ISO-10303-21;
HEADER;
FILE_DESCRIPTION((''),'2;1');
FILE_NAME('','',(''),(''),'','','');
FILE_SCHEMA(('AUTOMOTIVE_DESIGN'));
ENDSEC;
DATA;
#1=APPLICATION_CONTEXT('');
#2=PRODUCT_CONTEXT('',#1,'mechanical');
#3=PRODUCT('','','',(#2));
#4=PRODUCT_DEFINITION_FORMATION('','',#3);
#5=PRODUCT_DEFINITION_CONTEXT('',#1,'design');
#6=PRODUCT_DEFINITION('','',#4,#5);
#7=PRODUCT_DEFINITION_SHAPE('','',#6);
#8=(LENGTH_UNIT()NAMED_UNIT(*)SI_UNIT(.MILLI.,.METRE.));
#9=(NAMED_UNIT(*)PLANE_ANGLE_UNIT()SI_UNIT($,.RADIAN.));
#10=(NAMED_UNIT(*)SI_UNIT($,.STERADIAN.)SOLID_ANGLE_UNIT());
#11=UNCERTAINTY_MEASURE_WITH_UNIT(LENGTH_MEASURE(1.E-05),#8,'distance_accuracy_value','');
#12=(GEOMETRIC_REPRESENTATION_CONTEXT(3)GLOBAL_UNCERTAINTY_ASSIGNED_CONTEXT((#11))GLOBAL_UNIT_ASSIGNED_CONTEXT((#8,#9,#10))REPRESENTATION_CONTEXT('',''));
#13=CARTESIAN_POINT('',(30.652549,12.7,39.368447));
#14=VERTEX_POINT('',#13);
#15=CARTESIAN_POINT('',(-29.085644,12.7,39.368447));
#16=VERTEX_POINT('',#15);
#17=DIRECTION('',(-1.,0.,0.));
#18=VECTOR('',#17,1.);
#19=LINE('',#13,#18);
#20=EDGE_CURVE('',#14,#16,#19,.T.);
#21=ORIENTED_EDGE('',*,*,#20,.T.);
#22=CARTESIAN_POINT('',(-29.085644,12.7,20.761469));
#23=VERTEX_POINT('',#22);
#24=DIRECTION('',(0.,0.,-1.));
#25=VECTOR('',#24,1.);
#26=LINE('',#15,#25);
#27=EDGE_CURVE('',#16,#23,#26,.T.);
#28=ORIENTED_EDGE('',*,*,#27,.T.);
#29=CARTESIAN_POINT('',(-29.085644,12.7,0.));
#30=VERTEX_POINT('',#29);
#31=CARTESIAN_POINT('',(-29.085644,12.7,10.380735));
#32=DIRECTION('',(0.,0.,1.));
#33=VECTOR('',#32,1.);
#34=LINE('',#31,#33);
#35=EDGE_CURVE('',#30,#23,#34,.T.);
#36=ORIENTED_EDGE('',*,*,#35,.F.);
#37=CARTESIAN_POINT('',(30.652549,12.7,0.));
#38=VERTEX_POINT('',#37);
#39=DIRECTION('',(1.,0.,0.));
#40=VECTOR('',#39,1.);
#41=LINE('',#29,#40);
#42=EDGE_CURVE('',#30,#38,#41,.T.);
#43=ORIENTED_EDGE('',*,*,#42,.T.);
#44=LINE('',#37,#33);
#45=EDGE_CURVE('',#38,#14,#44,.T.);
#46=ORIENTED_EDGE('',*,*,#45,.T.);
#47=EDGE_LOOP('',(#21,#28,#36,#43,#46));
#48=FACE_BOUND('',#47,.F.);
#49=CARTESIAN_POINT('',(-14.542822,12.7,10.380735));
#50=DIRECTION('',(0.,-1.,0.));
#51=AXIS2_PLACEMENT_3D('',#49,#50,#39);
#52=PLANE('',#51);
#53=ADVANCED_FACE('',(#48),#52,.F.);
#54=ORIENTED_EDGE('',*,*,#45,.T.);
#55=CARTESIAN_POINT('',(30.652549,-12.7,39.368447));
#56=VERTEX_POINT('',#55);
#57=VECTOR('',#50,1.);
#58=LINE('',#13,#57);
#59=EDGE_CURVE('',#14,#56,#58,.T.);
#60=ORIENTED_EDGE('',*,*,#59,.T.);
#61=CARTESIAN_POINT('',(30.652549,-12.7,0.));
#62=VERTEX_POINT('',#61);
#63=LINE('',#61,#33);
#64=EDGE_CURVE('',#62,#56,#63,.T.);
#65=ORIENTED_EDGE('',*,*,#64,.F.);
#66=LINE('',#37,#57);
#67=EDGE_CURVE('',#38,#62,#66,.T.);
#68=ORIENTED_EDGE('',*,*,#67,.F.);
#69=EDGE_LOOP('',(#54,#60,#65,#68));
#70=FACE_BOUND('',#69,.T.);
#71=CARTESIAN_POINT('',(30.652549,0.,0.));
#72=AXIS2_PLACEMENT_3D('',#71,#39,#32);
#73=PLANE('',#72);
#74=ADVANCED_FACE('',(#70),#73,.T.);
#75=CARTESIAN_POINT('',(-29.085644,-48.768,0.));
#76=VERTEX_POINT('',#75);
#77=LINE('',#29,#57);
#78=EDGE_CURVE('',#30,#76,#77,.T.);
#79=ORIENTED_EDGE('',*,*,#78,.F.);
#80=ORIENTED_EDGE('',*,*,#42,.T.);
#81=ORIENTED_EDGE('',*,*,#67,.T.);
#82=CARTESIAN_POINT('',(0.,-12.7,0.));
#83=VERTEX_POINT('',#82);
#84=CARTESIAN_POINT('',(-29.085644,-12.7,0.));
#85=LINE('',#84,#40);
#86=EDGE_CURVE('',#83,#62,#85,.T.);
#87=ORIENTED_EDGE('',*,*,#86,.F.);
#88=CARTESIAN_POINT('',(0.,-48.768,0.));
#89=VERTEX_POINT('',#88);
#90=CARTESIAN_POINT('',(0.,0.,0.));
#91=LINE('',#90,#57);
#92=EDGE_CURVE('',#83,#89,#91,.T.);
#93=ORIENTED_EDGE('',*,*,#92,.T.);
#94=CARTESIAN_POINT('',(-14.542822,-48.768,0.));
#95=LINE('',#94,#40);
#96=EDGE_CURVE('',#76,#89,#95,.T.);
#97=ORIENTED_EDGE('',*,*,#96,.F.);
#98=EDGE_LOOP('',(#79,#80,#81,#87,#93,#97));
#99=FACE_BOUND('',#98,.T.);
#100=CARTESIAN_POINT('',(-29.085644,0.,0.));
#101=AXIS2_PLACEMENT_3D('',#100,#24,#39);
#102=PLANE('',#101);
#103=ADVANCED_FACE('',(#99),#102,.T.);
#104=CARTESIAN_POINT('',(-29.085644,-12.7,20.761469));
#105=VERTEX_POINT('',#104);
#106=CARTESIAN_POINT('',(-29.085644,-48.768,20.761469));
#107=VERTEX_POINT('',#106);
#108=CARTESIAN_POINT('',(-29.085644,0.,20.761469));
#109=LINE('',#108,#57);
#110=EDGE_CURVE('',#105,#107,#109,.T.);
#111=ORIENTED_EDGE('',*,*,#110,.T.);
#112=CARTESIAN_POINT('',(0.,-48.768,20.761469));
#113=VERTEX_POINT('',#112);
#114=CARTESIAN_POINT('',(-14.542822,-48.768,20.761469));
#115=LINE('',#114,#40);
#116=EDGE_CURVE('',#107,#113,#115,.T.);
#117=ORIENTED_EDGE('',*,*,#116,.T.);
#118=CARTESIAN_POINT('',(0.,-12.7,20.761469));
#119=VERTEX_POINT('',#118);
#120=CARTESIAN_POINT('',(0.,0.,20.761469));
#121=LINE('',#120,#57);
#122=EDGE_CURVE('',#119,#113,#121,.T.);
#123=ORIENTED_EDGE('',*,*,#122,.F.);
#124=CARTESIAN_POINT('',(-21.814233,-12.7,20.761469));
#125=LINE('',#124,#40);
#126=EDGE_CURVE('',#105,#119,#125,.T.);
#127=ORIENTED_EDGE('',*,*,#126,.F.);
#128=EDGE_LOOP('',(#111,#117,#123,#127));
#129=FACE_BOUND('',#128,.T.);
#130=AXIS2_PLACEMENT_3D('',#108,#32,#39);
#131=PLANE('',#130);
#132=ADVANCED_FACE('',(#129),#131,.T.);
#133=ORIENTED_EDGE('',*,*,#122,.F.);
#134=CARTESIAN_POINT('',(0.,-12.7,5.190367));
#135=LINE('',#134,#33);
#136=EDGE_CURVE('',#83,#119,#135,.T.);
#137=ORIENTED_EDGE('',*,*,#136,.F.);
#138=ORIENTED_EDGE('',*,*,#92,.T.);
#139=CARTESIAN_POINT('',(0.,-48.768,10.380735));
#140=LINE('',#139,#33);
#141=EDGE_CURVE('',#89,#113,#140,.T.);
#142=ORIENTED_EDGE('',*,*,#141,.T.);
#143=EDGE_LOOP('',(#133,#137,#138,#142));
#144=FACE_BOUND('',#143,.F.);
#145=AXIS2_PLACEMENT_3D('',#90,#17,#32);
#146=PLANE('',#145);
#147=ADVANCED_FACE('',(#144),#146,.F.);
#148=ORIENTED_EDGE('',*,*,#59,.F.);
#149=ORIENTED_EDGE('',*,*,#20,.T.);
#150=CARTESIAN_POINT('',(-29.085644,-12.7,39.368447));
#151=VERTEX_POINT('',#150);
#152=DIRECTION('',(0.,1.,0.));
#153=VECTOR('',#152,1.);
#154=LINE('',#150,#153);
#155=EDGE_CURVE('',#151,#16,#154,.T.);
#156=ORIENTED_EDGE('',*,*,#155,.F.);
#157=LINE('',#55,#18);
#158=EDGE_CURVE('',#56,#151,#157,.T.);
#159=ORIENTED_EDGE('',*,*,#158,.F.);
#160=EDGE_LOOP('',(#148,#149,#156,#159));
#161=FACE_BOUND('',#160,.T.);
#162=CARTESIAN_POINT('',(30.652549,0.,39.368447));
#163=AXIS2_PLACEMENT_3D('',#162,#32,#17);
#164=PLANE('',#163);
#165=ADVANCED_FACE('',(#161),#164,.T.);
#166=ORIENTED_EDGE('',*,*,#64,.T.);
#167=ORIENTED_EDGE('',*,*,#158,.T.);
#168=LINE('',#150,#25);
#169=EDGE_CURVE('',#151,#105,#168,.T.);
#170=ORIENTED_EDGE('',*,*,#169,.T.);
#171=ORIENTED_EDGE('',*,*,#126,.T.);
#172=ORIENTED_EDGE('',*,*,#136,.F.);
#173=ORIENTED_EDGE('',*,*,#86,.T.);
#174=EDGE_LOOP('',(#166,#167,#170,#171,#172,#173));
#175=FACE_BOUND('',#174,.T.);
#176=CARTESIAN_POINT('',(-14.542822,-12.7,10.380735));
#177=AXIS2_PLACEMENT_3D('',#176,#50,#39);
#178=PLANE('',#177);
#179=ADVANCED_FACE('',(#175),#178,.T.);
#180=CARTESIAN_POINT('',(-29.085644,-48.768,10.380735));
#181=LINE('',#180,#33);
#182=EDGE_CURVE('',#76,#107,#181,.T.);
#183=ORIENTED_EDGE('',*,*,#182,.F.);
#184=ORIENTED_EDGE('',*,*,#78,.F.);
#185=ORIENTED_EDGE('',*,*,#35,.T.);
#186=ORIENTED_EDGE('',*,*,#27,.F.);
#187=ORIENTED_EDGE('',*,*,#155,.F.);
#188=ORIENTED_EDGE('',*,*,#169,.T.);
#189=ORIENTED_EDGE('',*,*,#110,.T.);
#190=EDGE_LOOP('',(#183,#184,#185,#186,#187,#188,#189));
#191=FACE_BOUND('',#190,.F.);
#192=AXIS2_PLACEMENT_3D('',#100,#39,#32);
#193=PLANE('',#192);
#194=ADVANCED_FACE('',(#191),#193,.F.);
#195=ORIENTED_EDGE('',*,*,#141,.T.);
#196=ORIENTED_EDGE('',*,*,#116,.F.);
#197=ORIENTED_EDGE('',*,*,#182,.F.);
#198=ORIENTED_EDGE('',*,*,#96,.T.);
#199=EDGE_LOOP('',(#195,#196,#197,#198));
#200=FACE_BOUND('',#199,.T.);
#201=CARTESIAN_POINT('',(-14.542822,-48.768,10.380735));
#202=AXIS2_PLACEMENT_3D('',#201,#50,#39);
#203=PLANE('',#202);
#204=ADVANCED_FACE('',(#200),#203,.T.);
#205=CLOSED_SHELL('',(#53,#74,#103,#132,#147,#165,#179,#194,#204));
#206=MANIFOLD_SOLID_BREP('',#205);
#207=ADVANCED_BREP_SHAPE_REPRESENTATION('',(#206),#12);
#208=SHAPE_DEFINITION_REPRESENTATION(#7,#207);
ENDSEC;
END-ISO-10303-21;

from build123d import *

# Parameters (mm, degrees)
F0_W     = 29.0856435895
F0_H     = 20.7614693791
F1_DEPTH = 48.768
F2_DEPTH = 12.7


with BuildPart() as f1:
    # F0 (on Front) → F1 (new body)
    with BuildSketch(Plane.XZ):
        with Locations((-14.5428217947, 10.3807346895)):
            Rectangle(F0_W, F0_H)
    extrude(amount=F1_DEPTH)

    # F0 (on Front) → F2 (join, symmetric)
    with BuildSketch(Plane.XZ):
        with Locations((-14.5428217947, 10.3807346895)):
            Rectangle(F0_W, F0_H)
        Polygon((0, 20.7614693791), (0, 0), (30.6525491178, 0), (30.6525491178, 39.3684469163), (-29.0856435895, 39.3684469163), (-29.0856435895, 20.7614693791), align=None)
    extrude(amount=F2_DEPTH, both=True)


solid = f1.part
